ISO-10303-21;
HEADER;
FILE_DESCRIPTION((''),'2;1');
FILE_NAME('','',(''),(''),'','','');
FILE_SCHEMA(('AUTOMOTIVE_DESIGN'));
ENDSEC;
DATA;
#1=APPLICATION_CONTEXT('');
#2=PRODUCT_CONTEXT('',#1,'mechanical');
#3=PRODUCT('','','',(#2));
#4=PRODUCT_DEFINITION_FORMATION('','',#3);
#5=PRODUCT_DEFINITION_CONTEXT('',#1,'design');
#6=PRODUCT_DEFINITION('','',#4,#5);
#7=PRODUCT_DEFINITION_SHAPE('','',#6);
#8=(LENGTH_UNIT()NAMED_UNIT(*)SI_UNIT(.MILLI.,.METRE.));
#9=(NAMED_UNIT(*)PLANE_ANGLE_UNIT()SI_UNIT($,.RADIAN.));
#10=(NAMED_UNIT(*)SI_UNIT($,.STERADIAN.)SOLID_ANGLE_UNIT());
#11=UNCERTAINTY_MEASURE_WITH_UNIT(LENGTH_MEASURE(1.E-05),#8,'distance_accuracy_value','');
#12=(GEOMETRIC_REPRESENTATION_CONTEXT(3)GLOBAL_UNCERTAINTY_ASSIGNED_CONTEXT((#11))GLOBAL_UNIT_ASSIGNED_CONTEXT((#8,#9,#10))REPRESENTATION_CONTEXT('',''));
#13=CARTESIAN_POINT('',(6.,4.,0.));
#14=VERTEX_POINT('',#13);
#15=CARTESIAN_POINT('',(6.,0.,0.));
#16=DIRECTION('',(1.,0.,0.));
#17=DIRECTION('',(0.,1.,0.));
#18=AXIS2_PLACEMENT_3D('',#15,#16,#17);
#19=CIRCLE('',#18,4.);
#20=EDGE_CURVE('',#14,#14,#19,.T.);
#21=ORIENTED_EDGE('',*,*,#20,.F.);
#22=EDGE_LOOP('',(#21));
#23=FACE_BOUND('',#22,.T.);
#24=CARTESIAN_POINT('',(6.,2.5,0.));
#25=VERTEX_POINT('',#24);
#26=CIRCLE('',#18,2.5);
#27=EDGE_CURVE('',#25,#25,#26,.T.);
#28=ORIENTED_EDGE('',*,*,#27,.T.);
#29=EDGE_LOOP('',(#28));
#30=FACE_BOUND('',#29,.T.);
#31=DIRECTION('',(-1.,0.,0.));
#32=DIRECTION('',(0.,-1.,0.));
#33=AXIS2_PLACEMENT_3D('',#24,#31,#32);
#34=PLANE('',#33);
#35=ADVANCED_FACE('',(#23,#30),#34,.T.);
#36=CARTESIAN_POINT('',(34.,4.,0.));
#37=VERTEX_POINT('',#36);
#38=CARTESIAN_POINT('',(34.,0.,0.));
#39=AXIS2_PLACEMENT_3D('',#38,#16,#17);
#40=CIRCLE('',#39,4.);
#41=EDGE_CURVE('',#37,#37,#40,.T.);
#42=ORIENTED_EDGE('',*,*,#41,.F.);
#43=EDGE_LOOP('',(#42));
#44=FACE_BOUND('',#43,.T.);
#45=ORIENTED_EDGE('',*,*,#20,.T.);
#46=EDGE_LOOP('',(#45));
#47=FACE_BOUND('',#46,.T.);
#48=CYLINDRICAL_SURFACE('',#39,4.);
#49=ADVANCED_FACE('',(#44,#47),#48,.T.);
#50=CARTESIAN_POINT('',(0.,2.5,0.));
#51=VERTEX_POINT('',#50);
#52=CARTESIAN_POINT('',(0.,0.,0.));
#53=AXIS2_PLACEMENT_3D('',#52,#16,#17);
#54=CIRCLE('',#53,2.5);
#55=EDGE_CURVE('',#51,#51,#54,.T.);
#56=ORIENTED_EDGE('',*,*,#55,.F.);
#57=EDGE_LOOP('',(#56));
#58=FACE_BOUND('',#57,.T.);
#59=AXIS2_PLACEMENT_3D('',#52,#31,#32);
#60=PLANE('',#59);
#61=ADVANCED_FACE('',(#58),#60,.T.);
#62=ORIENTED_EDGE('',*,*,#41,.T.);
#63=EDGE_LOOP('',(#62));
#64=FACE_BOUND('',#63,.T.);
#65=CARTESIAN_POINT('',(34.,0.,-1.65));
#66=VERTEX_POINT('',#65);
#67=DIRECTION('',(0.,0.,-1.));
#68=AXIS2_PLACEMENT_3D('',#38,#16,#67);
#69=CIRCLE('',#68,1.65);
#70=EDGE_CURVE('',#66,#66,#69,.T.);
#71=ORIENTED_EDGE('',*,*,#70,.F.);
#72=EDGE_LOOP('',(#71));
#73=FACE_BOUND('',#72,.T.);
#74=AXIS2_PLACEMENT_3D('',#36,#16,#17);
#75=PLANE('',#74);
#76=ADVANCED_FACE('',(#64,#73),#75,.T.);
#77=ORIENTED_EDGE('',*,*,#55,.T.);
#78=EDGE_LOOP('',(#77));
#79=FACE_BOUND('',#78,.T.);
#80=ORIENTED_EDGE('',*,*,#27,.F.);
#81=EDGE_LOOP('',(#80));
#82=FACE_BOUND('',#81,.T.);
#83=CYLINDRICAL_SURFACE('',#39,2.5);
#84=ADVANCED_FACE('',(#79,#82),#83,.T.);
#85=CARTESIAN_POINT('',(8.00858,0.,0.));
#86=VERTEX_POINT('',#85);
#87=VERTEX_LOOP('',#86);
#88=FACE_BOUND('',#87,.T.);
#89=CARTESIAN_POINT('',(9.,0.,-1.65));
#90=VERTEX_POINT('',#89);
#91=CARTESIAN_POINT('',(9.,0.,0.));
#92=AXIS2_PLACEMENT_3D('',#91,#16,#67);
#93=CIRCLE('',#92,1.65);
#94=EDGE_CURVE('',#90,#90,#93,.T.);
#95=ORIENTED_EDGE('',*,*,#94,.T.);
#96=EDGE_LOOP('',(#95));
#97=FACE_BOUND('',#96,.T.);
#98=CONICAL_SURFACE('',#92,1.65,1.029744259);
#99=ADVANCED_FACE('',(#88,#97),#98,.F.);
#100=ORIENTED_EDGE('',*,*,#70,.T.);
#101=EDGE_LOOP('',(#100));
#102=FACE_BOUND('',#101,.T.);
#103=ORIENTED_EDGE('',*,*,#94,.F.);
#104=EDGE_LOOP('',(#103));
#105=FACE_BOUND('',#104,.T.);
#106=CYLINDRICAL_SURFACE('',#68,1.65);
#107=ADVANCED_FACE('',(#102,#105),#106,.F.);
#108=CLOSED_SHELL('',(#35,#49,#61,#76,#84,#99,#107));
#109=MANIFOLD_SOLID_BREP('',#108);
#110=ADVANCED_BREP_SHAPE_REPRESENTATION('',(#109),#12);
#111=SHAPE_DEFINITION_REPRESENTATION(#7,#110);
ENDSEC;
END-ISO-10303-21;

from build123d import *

# Parameters (mm, degrees)
TROU_TARAUD_M41_D     = 3.3
TROU_TARAUD_M41_DEPTH = 25
TROU_TARAUD_M41_TIP   = 0.991420021


with BuildPart() as part:
    # Esquisse1 → Révolution1 (revolve)
    with BuildSketch(Plane.XY):
        Polygon((0, 0), (0, 2.5), (6, 2.5), (6, 4), (34, 4), (34, 0), align=None)
    revolve(axis=Axis((34, 0, 0), (-1, 0, 0)))

    # Trou taraudé M41
    with Locations(Plane(origin=(34, -0.282646885, -1.42571366), x_dir=(0, 0, 1), z_dir=(1, 0, 0))):
        with Locations((1.42571366, -0.282646885)):
            Hole(TROU_TARAUD_M41_D / 2, depth=TROU_TARAUD_M41_DEPTH)
            with Locations((0, 0, -(TROU_TARAUD_M41_DEPTH + TROU_TARAUD_M41_TIP / 2))):  # 118° drill point
                Cone(0, TROU_TARAUD_M41_D / 2, TROU_TARAUD_M41_TIP, mode=Mode.SUBTRACT)


solid = part.part
